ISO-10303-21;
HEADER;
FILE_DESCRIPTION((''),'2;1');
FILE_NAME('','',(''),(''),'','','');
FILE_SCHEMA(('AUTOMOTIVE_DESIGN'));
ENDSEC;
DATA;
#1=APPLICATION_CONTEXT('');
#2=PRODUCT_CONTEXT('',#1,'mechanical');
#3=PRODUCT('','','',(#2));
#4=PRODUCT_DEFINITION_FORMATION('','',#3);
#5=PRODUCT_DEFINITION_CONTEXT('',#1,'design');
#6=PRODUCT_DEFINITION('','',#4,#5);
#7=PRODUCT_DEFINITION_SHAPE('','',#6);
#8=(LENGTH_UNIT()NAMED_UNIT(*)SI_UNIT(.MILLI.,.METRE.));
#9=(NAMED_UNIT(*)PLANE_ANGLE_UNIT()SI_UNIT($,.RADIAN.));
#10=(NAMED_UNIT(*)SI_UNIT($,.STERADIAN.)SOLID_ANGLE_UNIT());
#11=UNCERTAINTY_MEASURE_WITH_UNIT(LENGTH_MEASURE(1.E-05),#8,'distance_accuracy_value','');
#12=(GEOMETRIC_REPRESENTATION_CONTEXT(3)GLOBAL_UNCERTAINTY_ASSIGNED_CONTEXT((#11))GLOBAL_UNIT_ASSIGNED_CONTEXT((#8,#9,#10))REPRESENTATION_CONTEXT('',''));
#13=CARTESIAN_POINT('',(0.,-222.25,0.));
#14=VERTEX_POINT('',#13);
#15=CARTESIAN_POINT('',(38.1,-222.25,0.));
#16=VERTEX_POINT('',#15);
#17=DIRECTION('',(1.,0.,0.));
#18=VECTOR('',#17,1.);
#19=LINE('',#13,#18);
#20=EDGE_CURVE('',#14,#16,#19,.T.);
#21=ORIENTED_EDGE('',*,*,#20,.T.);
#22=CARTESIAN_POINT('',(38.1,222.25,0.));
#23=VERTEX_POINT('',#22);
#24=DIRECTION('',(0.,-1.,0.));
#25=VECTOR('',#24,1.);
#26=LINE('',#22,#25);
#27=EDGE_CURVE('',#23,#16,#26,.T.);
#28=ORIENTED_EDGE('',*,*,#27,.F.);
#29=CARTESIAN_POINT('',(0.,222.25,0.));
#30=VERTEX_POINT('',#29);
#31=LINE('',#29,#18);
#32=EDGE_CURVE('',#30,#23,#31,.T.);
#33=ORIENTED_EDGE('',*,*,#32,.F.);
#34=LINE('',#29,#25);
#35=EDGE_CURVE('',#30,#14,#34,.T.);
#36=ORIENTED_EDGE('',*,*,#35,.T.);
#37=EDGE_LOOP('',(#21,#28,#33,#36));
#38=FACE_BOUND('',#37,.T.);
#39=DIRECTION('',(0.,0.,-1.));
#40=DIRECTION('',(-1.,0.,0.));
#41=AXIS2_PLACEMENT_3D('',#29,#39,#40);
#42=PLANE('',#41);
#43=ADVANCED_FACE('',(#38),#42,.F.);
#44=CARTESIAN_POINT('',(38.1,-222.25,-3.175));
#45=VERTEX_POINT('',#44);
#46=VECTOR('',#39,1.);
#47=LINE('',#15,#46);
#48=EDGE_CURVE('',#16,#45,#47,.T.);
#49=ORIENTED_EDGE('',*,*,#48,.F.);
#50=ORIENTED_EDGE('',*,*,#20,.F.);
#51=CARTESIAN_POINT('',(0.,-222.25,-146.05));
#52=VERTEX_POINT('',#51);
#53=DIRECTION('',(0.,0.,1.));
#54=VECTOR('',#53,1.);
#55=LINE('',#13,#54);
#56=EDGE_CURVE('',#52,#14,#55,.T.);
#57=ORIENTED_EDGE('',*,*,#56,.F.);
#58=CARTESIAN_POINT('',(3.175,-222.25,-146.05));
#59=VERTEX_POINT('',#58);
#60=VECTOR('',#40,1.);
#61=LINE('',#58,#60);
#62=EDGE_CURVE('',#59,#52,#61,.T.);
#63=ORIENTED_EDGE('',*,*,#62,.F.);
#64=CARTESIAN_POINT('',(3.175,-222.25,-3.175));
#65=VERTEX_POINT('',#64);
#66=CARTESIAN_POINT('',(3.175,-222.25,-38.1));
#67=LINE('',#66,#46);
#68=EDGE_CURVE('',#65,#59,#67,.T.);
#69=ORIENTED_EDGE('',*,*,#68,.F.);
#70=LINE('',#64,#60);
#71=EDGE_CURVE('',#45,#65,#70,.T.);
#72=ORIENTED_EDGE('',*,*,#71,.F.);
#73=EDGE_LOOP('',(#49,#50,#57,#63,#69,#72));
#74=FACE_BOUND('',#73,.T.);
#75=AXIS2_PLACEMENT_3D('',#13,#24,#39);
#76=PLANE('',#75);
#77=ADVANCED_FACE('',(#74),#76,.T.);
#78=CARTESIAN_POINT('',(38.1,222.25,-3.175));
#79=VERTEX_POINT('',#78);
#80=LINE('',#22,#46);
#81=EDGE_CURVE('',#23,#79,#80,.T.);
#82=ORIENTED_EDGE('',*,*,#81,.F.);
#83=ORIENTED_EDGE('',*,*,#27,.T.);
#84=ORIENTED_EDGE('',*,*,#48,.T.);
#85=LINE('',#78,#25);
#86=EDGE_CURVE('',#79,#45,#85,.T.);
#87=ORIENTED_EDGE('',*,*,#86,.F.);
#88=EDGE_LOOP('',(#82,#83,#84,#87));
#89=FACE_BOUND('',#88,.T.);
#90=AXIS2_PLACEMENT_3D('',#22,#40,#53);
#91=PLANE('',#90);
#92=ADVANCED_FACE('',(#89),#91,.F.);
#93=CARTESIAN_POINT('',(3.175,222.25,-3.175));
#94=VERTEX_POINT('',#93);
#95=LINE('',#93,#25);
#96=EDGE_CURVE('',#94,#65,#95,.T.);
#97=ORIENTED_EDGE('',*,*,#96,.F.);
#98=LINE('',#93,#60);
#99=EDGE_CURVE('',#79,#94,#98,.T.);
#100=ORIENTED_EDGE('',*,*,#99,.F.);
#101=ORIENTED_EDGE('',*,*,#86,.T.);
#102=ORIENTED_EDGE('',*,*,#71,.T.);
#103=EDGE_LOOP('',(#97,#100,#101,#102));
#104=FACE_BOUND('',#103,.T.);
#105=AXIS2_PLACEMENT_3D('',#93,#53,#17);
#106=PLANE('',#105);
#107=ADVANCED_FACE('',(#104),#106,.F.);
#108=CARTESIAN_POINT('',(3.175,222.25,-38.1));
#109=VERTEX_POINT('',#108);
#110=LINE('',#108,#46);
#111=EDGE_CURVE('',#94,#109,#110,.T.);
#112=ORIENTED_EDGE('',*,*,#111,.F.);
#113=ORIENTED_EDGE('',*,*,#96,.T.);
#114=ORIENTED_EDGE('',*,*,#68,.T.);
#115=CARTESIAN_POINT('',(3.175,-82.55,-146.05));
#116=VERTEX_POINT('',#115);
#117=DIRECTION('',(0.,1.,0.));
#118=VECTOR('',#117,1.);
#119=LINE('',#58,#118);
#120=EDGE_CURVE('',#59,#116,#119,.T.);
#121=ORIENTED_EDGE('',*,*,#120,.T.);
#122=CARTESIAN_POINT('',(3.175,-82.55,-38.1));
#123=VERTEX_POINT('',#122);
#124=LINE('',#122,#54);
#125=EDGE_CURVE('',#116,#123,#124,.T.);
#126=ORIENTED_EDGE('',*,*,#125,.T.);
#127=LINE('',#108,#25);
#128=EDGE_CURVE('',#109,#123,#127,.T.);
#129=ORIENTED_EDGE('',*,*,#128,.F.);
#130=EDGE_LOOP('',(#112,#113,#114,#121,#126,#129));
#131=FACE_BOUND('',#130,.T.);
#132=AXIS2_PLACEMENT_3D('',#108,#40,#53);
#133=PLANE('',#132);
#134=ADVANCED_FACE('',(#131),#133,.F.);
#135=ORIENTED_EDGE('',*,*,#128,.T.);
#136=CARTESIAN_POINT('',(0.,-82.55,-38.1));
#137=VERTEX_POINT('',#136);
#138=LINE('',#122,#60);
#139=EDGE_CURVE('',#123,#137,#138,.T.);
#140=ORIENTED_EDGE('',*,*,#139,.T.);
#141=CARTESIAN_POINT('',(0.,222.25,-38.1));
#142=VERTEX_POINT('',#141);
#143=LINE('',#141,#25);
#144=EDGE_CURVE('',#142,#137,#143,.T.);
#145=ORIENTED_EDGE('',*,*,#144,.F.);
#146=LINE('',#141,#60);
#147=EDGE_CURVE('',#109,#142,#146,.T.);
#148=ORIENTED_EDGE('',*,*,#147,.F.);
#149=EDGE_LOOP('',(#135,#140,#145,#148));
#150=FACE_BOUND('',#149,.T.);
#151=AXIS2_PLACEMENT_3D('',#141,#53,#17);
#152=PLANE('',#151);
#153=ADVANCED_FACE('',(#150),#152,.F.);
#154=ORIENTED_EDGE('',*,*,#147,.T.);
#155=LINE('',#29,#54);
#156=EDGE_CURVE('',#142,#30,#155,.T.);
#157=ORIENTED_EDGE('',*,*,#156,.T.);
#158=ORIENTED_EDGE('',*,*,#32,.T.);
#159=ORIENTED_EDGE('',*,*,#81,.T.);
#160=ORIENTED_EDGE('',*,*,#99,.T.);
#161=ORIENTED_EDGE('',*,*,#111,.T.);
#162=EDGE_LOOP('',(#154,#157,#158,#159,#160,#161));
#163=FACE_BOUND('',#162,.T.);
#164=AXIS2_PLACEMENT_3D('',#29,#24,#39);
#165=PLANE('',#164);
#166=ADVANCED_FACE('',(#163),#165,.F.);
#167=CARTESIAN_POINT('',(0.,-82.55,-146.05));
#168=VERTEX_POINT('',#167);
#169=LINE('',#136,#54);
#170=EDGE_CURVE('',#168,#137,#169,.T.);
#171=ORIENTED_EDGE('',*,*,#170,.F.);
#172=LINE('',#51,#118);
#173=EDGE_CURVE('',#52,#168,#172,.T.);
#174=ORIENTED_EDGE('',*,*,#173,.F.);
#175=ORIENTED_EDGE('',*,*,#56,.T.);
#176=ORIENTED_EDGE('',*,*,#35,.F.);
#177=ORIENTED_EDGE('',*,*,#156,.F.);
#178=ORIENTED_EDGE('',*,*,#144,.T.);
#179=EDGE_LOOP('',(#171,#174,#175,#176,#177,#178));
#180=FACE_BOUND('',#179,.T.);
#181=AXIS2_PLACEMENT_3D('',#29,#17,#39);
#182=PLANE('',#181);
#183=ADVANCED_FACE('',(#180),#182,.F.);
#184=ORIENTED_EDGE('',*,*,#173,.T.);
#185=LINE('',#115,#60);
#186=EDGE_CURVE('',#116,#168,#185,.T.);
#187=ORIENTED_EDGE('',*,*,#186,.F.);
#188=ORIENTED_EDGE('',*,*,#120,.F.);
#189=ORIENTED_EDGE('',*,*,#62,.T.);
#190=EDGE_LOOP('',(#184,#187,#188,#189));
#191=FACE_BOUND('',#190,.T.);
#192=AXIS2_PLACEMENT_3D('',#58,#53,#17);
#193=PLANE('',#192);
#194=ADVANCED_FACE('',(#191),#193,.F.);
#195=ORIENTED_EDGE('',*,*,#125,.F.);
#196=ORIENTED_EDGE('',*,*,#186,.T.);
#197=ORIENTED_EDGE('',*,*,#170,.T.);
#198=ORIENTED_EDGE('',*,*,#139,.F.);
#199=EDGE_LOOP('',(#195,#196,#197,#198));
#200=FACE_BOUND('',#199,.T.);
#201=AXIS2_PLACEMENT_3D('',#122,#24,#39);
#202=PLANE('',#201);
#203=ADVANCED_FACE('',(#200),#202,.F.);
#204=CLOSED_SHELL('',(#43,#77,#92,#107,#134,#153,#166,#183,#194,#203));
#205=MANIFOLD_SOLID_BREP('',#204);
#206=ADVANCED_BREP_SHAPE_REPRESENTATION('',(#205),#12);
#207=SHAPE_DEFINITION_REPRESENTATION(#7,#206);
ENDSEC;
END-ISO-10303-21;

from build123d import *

# Parameters (mm, degrees)
BOSS_EXTRUDE1_DEPTH = 222.25
SKETCH19_W          = 107.95
SKETCH19_H          = 139.7
BOSS_EXTRUDE2_DEPTH = 3.175


with BuildPart() as part:
    # Sketch18 → Boss-Extrude1 (new, symmetric)
    with BuildSketch(Plane(origin=(0, 0, 0), x_dir=(1, 0, 0), z_dir=(0, 1, 0))):
        Polygon((3.175, 38.1), (3.175, 3.175), (38.1, 3.175), (38.1, 0), (0, 0), (0, 38.1), align=None)
    extrude(amount=BOSS_EXTRUDE1_DEPTH, both=True)

    # Sketch19 → Boss-Extrude2 (add)
    with BuildSketch(Plane(origin=(0, 0, 0), x_dir=(0, 0, -1), z_dir=(1, 0, 0))):
        with Locations((92.075, -152.4)):
            Rectangle(SKETCH19_W, SKETCH19_H)
    extrude(amount=BOSS_EXTRUDE2_DEPTH)


solid = part.part
